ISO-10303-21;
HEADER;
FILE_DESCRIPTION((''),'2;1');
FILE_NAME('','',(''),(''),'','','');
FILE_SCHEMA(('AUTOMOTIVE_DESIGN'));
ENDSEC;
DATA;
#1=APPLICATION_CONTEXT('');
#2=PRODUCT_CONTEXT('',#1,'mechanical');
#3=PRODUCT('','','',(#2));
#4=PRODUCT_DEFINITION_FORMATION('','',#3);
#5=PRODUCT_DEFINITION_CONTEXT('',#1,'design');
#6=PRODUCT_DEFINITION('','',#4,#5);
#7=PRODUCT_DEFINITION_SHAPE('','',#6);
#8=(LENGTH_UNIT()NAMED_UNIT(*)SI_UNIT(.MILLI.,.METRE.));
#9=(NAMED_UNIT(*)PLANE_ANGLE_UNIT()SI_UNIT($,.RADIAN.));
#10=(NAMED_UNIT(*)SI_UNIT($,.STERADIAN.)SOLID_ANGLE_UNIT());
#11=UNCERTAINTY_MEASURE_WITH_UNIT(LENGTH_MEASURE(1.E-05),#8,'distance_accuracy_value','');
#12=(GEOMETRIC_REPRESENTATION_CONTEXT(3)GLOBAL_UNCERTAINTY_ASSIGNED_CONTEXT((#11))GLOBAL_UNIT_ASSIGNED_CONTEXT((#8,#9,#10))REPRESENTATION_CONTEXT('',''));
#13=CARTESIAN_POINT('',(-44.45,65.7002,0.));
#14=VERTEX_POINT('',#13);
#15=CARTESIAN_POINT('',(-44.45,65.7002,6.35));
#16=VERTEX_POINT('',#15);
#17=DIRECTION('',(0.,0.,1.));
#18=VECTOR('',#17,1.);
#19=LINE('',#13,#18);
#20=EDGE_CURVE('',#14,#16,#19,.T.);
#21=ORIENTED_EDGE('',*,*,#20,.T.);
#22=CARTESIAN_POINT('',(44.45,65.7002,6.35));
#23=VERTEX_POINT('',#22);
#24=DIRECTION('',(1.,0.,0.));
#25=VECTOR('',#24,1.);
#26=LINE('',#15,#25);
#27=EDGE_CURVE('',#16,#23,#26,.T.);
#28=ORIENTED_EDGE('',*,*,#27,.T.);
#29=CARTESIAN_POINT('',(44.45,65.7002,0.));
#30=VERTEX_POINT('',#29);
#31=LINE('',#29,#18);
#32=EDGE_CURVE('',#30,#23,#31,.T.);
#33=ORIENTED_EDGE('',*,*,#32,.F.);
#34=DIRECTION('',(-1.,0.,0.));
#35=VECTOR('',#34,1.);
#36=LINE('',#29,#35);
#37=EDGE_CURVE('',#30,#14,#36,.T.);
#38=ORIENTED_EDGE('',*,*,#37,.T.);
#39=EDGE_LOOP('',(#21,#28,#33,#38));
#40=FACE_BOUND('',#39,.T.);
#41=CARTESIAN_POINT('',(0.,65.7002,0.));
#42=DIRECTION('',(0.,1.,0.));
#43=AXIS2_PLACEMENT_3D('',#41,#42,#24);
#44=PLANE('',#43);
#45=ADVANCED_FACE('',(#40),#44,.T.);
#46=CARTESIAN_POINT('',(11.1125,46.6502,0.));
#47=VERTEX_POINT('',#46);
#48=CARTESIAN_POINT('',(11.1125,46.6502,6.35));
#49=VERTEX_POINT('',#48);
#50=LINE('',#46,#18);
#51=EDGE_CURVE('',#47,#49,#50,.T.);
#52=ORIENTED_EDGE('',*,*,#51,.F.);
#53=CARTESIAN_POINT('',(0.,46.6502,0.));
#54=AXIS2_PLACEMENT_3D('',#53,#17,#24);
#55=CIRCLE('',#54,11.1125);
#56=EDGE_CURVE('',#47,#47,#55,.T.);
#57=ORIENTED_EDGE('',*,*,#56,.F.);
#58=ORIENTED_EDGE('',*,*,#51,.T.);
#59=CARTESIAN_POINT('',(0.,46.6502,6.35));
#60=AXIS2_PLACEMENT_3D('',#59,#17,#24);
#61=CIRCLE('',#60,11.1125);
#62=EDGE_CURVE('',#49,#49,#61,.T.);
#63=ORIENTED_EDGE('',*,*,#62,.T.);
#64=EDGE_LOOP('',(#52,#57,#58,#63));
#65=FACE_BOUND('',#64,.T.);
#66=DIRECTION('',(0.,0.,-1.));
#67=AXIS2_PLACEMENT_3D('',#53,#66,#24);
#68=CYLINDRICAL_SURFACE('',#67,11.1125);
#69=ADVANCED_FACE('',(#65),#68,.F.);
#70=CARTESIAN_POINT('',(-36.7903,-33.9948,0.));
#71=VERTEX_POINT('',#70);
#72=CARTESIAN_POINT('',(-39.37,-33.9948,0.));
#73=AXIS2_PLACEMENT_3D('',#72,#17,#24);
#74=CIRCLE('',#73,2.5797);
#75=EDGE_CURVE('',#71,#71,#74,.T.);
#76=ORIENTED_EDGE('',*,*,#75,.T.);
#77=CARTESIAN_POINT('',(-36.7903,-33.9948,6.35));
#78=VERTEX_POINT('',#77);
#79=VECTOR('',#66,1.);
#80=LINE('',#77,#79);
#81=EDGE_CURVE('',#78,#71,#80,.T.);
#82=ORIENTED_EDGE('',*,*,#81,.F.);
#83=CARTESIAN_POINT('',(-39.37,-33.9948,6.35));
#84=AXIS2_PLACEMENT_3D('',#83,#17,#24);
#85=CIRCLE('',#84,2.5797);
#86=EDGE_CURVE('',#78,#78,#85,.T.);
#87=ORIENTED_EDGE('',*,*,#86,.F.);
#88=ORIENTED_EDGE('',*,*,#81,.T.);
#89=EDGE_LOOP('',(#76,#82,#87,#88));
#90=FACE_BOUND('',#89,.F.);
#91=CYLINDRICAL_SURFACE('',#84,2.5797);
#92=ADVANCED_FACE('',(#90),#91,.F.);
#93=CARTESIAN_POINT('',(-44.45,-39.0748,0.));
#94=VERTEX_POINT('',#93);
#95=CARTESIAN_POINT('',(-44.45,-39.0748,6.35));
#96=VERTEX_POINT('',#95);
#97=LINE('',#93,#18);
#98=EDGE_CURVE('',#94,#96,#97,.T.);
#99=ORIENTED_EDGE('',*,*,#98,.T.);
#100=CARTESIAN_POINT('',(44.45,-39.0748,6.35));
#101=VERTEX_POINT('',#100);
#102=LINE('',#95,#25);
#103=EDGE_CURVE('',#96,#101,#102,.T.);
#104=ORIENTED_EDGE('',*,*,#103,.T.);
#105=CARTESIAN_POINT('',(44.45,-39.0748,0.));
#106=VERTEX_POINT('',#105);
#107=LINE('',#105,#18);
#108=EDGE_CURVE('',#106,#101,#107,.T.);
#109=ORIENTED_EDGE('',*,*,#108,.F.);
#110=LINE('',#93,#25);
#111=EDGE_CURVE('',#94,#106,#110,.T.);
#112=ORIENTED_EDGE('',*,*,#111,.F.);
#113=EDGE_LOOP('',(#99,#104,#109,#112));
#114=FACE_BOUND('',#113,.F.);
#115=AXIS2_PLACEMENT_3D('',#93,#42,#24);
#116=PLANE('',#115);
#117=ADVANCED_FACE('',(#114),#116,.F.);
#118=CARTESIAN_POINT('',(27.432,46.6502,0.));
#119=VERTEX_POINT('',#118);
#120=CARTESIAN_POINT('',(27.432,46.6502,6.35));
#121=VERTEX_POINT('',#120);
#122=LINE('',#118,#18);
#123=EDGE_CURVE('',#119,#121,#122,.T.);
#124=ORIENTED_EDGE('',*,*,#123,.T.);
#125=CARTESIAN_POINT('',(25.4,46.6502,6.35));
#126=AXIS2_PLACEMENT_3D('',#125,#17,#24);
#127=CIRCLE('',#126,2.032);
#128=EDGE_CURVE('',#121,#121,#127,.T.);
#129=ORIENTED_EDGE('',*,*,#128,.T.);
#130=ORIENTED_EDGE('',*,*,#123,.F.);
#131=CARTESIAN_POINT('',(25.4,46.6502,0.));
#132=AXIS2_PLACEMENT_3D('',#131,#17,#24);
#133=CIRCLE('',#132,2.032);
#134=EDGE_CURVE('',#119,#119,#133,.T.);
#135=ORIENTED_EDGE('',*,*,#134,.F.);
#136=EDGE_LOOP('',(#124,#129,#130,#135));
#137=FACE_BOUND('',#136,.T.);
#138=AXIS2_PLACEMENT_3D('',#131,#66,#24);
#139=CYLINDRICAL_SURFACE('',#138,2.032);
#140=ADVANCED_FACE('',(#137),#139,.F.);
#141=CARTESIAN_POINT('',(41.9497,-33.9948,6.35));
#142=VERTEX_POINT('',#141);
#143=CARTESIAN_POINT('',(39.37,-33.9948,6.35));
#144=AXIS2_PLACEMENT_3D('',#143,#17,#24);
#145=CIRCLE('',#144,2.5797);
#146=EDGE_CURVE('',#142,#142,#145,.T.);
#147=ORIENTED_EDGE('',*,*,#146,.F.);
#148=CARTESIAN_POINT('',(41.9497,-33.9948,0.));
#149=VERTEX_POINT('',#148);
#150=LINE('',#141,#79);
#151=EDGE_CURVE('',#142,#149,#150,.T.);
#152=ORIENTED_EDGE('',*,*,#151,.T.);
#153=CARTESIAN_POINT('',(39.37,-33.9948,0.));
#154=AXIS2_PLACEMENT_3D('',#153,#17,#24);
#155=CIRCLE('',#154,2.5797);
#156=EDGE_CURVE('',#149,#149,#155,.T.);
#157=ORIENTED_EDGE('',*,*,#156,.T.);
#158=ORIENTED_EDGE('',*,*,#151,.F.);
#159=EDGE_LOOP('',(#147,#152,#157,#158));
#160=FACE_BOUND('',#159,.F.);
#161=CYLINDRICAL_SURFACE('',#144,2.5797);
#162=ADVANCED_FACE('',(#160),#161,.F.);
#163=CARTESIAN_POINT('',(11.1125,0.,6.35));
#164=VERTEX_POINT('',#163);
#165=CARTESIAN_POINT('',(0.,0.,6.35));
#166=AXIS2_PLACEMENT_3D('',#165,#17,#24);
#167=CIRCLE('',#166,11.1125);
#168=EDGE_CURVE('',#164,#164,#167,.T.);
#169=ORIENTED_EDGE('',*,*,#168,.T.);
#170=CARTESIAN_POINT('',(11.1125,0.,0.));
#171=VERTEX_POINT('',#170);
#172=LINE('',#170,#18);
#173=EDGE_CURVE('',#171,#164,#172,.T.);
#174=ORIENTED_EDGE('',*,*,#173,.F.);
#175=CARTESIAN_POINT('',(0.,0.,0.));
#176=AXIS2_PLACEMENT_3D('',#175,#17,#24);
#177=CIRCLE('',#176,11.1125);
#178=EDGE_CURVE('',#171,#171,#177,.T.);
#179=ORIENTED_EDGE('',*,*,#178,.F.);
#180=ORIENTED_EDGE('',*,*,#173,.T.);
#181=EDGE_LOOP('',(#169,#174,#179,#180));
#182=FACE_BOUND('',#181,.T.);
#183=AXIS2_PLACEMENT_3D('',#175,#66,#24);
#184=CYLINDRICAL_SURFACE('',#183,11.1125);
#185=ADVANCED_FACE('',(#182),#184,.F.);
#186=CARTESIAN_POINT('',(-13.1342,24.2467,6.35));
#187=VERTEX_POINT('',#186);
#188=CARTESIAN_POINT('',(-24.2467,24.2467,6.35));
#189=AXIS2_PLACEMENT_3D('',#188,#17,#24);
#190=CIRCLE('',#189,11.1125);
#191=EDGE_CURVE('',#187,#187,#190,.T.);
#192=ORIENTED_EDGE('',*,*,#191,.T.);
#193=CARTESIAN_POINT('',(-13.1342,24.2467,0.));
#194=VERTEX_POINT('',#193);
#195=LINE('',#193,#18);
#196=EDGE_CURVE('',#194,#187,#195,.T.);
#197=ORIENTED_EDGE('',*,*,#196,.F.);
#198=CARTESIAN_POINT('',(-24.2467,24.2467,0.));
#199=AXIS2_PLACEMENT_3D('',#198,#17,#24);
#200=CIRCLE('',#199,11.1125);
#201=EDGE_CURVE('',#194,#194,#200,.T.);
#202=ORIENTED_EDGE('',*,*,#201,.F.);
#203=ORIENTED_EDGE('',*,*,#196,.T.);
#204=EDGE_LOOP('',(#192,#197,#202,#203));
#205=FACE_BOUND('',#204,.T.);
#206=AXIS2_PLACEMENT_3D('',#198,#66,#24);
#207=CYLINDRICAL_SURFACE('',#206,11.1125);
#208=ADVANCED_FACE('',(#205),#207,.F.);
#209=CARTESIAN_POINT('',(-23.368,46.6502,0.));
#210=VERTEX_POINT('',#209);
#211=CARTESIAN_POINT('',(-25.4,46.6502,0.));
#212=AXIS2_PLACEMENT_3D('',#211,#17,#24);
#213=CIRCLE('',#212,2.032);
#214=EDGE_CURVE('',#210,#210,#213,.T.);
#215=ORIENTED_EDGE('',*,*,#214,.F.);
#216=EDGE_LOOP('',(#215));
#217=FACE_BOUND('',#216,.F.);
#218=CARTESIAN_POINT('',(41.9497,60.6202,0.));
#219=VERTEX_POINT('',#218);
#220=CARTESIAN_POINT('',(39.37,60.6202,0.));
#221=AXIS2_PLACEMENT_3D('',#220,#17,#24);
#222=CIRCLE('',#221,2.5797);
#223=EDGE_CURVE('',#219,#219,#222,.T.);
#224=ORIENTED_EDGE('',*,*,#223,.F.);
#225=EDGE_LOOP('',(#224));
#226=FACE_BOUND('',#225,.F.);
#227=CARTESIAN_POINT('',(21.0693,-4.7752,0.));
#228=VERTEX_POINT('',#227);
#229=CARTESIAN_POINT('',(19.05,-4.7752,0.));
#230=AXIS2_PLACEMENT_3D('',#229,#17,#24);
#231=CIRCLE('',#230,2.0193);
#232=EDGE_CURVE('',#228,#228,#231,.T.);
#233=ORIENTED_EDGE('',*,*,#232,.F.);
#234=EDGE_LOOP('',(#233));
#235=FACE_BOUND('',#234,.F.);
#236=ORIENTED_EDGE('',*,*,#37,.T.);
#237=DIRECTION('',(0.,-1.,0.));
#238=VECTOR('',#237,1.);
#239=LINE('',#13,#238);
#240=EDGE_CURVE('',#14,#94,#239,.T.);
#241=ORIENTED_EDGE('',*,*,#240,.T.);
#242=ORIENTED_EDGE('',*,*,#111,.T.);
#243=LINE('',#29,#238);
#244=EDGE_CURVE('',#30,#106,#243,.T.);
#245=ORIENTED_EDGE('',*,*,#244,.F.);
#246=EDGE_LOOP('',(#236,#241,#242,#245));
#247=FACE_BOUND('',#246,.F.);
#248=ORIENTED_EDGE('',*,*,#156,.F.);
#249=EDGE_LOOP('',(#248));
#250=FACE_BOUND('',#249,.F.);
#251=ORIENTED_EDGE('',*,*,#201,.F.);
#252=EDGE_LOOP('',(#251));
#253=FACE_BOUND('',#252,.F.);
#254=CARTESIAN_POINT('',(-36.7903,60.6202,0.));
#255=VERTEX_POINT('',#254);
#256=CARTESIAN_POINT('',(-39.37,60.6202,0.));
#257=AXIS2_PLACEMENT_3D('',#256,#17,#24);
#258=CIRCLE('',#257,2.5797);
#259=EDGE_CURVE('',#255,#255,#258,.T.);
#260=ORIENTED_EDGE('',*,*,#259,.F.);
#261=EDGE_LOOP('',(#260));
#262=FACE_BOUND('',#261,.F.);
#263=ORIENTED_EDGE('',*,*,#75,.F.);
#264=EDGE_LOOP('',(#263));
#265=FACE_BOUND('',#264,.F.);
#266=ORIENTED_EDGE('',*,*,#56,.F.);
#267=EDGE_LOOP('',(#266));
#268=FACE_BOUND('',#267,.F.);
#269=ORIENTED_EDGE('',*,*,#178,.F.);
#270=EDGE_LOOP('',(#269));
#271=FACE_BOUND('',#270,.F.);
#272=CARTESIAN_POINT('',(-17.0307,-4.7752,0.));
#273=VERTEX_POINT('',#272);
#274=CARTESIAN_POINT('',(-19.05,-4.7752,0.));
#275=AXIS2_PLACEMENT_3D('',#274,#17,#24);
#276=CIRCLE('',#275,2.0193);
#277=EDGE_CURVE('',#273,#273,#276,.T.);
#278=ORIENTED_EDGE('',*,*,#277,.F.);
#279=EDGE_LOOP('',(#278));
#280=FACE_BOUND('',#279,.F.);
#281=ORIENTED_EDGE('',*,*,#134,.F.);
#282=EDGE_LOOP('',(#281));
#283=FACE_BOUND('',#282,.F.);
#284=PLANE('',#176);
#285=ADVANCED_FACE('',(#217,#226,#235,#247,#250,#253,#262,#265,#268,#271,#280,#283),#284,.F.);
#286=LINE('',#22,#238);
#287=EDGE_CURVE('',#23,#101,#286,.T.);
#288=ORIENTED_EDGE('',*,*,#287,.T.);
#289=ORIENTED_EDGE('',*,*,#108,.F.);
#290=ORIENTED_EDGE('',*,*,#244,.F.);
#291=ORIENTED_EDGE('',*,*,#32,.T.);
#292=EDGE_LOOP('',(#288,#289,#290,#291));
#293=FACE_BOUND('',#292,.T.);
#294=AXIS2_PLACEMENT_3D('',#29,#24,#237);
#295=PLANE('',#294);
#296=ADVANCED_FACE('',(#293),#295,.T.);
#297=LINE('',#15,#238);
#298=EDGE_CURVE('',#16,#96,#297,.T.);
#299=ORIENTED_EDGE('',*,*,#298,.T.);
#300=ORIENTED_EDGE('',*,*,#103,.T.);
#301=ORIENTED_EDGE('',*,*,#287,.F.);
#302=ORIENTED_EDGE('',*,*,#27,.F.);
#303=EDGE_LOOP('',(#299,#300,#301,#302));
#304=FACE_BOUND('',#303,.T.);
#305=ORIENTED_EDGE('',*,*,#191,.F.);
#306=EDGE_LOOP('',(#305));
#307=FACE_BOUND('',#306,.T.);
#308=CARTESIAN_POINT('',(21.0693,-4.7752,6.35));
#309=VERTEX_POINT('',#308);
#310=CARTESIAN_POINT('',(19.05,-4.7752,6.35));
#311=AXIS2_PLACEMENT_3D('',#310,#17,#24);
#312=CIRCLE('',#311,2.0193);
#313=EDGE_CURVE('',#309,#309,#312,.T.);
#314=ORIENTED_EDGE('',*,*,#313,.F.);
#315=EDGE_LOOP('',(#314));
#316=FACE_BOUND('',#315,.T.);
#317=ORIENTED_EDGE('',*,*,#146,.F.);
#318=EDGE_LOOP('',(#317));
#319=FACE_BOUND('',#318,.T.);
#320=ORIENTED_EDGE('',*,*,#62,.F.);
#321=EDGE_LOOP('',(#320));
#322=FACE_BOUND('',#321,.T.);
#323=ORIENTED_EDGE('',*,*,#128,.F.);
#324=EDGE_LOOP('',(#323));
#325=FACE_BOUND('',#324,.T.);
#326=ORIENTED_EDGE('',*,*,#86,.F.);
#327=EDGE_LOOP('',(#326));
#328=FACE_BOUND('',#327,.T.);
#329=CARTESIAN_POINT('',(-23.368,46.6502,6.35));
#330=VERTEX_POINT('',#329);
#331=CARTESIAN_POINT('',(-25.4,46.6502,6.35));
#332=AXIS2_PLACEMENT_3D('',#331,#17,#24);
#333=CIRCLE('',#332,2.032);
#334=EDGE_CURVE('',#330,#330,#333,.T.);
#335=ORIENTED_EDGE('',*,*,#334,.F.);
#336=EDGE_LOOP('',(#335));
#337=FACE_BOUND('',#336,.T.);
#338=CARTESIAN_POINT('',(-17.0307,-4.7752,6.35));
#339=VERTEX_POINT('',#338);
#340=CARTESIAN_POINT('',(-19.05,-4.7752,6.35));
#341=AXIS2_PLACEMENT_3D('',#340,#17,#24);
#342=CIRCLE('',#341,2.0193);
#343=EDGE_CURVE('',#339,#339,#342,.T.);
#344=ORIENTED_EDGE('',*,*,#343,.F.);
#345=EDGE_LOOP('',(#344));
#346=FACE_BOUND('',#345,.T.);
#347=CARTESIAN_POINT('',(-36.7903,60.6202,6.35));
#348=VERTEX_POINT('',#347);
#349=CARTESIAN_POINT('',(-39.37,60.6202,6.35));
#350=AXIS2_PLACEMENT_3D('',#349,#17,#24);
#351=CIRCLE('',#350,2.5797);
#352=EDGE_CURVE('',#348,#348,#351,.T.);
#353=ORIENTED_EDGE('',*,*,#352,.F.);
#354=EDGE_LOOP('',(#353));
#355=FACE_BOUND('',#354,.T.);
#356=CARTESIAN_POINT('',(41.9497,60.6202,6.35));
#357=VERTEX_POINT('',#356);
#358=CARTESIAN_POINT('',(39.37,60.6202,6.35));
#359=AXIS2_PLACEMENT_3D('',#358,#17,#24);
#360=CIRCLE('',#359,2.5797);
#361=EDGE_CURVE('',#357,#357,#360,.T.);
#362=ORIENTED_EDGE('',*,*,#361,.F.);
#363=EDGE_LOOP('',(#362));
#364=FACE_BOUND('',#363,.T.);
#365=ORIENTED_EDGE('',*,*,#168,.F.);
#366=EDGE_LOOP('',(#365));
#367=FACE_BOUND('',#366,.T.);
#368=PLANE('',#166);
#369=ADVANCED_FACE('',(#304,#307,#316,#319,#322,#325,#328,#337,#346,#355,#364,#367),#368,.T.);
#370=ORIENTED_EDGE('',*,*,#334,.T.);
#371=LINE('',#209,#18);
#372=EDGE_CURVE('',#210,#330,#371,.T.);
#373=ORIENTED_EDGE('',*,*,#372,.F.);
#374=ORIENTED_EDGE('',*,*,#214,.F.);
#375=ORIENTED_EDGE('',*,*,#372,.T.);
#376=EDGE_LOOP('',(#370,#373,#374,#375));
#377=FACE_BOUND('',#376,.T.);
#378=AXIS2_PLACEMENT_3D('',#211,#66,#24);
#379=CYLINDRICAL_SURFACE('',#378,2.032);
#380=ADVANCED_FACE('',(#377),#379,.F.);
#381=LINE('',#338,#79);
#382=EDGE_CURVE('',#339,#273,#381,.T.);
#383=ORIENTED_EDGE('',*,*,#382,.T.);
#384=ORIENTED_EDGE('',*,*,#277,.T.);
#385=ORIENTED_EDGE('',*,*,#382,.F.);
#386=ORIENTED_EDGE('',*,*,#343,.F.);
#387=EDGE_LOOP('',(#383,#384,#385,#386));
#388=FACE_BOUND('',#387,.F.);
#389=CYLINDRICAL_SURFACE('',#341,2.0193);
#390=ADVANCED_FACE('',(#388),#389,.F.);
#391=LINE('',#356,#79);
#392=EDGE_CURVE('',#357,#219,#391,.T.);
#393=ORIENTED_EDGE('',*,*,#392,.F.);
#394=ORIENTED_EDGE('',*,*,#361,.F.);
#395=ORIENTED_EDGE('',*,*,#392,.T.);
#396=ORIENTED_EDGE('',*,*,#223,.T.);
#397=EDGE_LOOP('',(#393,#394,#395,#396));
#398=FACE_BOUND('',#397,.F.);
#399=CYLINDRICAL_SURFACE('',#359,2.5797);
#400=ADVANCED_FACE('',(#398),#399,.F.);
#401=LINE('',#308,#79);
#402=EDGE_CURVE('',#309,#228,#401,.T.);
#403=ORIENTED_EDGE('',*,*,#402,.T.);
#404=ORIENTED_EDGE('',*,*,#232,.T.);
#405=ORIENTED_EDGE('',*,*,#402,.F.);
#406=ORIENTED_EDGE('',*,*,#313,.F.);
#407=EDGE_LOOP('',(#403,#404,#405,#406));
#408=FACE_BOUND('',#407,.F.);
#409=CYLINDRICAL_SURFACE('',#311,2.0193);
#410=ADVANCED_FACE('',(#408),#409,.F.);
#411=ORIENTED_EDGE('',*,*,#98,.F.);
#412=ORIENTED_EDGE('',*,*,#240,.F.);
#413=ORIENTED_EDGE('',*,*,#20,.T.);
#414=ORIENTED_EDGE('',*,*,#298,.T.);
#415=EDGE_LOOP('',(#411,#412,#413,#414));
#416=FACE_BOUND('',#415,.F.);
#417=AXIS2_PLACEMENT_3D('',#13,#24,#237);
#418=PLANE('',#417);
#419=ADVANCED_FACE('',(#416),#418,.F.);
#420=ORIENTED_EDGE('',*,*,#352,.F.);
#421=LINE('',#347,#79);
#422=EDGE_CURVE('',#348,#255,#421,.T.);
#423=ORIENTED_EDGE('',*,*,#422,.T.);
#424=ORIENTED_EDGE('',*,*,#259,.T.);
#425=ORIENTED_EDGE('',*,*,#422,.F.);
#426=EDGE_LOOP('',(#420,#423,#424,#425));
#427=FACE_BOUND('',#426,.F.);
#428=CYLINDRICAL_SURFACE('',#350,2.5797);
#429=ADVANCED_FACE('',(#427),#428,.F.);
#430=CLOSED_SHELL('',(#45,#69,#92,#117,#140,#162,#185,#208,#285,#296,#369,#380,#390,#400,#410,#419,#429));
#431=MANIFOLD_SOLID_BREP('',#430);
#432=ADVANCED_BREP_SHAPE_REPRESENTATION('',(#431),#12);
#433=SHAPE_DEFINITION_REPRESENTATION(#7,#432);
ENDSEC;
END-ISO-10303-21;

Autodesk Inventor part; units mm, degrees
ref_plane "YZ Plane" through (0, 0, 0) normal (1, 0, 0) x (0, 1, 0)
ref_plane "XZ Plane" through (0, 0, 0) normal (0, 1, 0) x (-1, 0, 0)
ref_plane "XY Plane" through (0, 0, 0) normal (0, 0, 1) x (1, 0, 0)
sketch "Sketch1" plane through (0, 0, 0) normal (0, 0, 1) x (1, 0, 0)
  circle A0 centre (0, 0) radius 11.1125
  line L0 (0, 0) -> (-24.2467, 24.2467) construction
  line L1 (0, 0) -> (34.29, 0) construction
  circle A1 centre (-24.2467, 24.2467) radius 11.1125
  line L2 (-24.2467, 24.2467) -> (8.7733, 24.2467) construction
  line L3 (-24.2467, 24.2467) -> (0, 24.2467) construction
  line L4 (0, 24.2467) -> (0, 46.6502) construction
  line L5 (0, 46.6502) -> (-24.2467, 24.2467) construction
  circle A2 centre (0, 46.6502) radius 11.1125
  line L6 (0, 46.6502) -> (-25.4, 46.6502) construction
  line L7 (-25.4, 46.6502) -> (25.4, 46.6502) construction
  circle A3 centre (-25.4, 46.6502) radius 2.032
  circle A4 centre (25.4, 46.6502) radius 2.032
  line L8 (0, 46.6502) -> (0, 65.7002) construction
  line L9 (0, 65.7002) -> (44.45, 65.7002)
  line L10 (44.45, 65.7002) -> (44.45, -39.0748)
  line L11 (0, 65.7002) -> (-44.45, 65.7002)
  line L12 (-44.45, 65.7002) -> (-44.45, -39.0748)
  line L13 (-44.45, -39.0748) -> (44.45, -39.0748)
  dimension "d0" = 22.225
  dimension "d1" = 34.29
  dimension "d2" = 135
  dimension "d3" = 22.225
  dimension "d7" = 22.4035
  dimension "d8" = 22.225
  dimension "d9" = 25.4
  dimension "d10" = 50.8
  dimension "d11" = 4.064
  dimension "d12" = 19.05
  dimension "d13" = 104.775
  dimension "d14" = 44.45
  dimension "d17" = 44.45
extrude "Extrusion1" add sketch "Sketch1" along normal blind 6.35
sketch "Sketch2" plane through (0, 0, 6.35) normal (0, 0, 1) x (1, 0, 0)
  line L0 (-44.45, 65.7002) -> (-39.37, 65.7002) construction
  line L1 (-44.45, 65.7002) -> (44.45, 65.7002) construction
  line L2 (-39.37, 65.7002) -> (-39.37, 60.6202) construction
  circle A0 centre (-39.37, 60.6202) radius 2.5797
  line L3 (0, 65.7002) -> (0, -39.0748) construction
  line L4 (-44.45, -39.0748) -> (44.45, -39.0748) construction
  line L5 (44.45, -39.0748) -> (44.45, 65.7002) construction
  line L6 (44.45, 13.3127) -> (-44.45, 13.3127) construction
  circle A1 centre (39.37, 60.6202) radius 2.5797
  circle A2 centre (-39.37, -33.9948) radius 2.5797
  circle A3 centre (39.37, -33.9948) radius 2.5797
  point P0 (0, 0)
  dimension "d18" = 5.08
  dimension "d19" = 5.08
  dimension "d20" = 5.1594
extrude "Extrusion2" cut sketch "Sketch2" against normal blind 25.4
sketch "Sketch3" plane through (0, 0, 6.35) normal (0, 0, 1) x (1, 0, 0)
  line L0 (0, 0) -> (19.05, 0) construction
  line L1 (19.05, 0) -> (19.05, -4.7752) construction
  line L2 (0, 0) -> (0, -18.8827) construction
  circle A0 centre (19.05, -4.7752) radius 2.0193
  circle A1 centre (-19.05, -4.7752) radius 2.0193
  dimension "d23" = 19.05
  dimension "d24" = 4.7752
  dimension "d25" = 4.0386
extrude "Extrusion3" cut sketch "Sketch3" against normal blind 25.4
properties part number "Gearbox Plate V2"
